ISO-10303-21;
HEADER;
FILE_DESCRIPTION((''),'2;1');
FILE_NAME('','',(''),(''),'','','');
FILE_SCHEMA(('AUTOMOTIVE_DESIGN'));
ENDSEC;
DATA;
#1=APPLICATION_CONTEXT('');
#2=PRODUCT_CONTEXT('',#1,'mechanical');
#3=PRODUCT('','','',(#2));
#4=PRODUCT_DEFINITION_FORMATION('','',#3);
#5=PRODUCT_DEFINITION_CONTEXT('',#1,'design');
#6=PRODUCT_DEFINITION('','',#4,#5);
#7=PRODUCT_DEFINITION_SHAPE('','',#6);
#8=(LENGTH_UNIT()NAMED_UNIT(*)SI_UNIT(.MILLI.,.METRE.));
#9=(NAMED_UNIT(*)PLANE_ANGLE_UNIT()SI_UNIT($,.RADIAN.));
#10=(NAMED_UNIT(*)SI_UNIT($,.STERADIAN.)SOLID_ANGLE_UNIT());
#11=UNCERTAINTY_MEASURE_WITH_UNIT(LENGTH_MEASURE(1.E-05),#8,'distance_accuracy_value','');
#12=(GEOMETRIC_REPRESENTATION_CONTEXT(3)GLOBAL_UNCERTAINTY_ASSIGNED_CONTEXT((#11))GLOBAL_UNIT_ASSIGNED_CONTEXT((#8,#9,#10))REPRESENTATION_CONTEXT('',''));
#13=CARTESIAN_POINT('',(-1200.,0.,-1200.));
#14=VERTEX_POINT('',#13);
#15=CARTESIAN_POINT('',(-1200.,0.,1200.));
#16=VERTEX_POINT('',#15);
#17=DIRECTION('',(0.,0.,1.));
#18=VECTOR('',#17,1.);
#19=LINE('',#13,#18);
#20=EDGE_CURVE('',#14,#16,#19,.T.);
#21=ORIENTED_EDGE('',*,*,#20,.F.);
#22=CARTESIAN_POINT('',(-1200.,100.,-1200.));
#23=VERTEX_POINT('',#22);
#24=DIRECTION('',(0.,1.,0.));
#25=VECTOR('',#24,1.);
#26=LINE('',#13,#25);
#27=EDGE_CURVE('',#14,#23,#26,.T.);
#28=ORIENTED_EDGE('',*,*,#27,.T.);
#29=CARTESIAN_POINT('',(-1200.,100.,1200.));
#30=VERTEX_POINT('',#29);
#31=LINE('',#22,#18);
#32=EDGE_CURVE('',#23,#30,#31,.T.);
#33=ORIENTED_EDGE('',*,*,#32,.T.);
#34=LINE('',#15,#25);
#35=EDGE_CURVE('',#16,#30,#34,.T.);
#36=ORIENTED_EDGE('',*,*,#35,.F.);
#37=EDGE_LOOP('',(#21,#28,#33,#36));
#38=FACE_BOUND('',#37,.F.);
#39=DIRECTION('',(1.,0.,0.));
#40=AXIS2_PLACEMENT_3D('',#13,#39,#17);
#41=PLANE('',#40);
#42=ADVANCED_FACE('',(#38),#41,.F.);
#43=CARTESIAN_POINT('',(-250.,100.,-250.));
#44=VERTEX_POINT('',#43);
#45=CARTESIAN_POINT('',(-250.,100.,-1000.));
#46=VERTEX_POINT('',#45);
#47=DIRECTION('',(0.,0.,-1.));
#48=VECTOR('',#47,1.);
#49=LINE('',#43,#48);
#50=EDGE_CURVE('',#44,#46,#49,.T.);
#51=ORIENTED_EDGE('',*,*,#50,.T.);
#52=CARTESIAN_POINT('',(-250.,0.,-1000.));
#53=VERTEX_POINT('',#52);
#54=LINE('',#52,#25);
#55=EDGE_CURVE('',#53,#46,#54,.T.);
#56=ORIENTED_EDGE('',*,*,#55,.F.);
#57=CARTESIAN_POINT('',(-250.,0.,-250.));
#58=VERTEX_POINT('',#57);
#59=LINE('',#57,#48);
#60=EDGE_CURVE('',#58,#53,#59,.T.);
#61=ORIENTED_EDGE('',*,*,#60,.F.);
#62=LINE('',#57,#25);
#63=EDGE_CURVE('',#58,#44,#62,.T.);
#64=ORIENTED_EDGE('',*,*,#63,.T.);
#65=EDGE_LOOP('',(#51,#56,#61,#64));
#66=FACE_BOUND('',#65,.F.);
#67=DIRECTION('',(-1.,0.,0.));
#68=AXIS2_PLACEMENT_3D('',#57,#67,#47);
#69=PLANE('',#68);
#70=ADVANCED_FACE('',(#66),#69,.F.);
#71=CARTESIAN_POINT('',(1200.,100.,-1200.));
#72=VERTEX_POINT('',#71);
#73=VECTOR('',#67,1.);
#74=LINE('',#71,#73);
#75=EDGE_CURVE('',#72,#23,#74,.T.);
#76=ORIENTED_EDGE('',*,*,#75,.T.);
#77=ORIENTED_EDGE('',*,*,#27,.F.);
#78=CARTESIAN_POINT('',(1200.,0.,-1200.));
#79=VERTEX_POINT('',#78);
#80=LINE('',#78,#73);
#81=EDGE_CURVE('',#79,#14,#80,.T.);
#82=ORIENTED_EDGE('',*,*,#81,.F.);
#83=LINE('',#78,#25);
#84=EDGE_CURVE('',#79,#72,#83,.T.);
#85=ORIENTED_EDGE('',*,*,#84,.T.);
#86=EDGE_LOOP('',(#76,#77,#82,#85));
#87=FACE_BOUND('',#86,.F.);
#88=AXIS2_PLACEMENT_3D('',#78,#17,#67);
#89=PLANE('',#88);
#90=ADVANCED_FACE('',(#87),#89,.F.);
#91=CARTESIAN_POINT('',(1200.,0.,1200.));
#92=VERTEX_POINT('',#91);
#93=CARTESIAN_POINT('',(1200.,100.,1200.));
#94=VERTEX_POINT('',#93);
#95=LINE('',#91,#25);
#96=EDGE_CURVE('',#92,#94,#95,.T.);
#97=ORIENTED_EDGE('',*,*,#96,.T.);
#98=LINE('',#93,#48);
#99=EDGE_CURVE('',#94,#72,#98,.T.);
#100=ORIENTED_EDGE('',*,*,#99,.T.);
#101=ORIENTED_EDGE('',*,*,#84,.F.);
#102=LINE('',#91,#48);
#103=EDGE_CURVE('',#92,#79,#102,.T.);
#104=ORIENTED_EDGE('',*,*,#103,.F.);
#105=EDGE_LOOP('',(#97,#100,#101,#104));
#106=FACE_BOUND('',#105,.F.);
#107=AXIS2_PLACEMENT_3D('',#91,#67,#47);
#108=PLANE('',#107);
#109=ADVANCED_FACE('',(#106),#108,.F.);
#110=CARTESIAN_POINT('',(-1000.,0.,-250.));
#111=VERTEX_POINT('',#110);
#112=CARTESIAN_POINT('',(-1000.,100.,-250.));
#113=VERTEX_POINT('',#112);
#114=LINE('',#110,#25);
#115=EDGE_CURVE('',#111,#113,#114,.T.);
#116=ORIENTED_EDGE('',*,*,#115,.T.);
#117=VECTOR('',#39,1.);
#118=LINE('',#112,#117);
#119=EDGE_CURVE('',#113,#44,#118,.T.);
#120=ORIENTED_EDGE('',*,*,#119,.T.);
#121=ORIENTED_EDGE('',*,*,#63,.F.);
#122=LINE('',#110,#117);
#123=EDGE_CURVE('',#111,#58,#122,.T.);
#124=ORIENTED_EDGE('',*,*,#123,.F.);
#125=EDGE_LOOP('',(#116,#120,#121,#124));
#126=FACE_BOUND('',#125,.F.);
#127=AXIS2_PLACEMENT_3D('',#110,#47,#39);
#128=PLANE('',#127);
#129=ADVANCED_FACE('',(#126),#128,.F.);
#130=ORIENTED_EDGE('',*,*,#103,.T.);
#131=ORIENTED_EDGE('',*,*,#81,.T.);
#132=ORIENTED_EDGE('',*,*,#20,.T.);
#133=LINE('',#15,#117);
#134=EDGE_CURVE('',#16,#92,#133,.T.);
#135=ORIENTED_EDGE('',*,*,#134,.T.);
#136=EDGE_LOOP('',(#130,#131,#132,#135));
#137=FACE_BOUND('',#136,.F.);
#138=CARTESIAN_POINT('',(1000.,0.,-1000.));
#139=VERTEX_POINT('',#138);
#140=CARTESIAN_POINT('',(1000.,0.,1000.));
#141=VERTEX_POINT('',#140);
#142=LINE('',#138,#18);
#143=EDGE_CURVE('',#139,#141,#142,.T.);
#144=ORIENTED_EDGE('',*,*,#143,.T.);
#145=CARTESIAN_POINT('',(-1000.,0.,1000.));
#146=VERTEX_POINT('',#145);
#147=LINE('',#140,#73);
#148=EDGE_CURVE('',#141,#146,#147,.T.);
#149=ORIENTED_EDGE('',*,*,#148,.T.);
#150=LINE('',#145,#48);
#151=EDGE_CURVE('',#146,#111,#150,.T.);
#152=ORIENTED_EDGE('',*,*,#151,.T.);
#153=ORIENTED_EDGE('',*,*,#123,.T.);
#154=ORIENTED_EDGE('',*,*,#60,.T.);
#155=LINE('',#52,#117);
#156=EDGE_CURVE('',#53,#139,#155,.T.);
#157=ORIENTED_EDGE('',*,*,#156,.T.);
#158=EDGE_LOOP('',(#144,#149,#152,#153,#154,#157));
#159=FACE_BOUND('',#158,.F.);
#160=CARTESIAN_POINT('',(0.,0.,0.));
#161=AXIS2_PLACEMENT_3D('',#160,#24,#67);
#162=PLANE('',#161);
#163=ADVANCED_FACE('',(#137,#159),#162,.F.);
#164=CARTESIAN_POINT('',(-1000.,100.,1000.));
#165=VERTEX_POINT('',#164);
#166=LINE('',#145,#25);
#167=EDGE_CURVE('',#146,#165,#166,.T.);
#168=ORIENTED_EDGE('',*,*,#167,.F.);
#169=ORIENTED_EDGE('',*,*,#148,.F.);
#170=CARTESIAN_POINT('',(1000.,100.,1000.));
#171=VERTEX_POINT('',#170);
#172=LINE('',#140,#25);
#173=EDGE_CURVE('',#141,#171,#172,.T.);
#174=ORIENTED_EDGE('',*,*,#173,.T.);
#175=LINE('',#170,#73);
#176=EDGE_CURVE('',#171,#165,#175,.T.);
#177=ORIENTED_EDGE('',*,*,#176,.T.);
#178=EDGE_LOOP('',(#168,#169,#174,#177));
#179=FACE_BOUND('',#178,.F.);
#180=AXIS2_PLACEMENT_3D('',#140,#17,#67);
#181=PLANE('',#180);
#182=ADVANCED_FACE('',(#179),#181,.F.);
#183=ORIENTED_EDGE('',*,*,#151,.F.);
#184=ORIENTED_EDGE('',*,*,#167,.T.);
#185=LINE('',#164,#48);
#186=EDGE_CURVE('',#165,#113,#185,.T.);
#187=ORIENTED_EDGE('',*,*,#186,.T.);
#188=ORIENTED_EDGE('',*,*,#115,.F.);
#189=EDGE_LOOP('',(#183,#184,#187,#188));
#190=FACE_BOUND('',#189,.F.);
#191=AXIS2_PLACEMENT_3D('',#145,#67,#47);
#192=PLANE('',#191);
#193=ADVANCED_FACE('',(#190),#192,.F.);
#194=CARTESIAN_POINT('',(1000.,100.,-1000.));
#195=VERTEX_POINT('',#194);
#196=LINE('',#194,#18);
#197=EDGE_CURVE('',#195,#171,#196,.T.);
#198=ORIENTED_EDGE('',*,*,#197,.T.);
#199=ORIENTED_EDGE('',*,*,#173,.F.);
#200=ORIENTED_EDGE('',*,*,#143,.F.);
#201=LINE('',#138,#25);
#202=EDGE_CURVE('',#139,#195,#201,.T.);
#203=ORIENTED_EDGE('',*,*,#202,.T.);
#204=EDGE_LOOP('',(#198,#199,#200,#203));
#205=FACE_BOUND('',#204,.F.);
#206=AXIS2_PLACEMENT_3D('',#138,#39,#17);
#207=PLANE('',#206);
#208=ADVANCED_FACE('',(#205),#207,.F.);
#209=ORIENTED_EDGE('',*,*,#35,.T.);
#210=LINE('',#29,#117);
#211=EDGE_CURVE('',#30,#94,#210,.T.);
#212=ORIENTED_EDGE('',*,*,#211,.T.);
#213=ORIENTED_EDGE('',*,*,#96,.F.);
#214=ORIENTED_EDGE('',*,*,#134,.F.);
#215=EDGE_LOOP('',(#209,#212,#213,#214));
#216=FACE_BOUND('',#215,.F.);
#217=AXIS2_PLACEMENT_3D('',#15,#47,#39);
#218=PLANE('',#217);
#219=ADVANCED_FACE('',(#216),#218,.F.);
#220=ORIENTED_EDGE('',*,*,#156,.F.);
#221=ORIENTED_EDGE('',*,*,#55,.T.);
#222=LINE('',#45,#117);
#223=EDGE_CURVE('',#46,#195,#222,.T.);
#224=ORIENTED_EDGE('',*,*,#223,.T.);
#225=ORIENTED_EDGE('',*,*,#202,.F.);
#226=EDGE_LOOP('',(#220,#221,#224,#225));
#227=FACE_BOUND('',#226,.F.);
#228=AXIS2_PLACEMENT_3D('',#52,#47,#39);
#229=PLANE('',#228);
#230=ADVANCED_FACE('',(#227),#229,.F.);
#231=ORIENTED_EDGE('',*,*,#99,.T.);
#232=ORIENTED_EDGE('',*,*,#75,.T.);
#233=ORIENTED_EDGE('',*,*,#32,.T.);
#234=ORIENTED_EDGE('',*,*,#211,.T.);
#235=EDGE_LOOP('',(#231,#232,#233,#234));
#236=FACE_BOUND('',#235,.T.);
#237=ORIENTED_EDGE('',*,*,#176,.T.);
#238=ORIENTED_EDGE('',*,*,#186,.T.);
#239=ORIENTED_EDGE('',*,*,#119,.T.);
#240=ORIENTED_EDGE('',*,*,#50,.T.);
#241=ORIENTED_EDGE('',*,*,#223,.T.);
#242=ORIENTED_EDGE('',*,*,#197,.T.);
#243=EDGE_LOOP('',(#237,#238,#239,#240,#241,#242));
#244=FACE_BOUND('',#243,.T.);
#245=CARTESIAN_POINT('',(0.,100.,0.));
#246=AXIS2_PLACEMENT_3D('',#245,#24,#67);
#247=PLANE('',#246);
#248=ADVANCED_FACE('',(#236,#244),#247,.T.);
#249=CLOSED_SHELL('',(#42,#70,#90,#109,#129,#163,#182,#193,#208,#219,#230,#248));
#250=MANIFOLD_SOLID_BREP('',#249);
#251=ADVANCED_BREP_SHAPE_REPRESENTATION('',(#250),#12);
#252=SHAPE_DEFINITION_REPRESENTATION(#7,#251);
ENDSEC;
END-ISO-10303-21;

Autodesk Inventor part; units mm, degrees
ref_plane "YZ Plane" through (0, 0, 0) normal (1, 0, 0) x (0, 1, 0)
ref_plane "XZ Plane" through (0, 0, 0) normal (0, 1, 0) x (-1, 0, 0)
ref_plane "XY Plane" through (0, 0, 0) normal (0, 0, 1) x (1, 0, 0)
sketch "Sketch1" plane through (0, 0, 0) normal (0, 1, 0) x (-1, 0, 0)
  line L0 (1200, 1200) -> (-1200, 1200)
  line L1 (-1200, 1200) -> (-1200, -1200)
  line L2 (-1200, -1200) -> (1200, -1200)
  line L3 (1200, -1200) -> (1200, 1200)
  line L4 (1200, 1200) -> (-1200, -1200) construction
  line L5 (-1200, 1200) -> (1200, -1200) construction
  line L6 (1000, 1000) -> (1000, -250)
  line L7 (1000, 1000) -> (2250, 1000) construction
  line L8 (1000, -250) -> (250, -250)
  line L9 (250, -250) -> (250, -1000)
  line L10 (250, -1000) -> (-1000, -1000)
  line L11 (-1000, -1000) -> (-1000, 1000)
  line L12 (-1000, 1000) -> (1000, 1000)
  point P0 (0, 0)
  dimension "d0" = 2400
  dimension "d1" = 2400
  dimension "d2" = 1250
  dimension "d3" = 90
  dimension "d4" = 750
  dimension "d5" = 750
  dimension "d6" = 1250
  dimension "d7" = 2000
extrude "Extrusion1" add sketch "Sketch1" along normal blind 100
properties part number "single_meas"
